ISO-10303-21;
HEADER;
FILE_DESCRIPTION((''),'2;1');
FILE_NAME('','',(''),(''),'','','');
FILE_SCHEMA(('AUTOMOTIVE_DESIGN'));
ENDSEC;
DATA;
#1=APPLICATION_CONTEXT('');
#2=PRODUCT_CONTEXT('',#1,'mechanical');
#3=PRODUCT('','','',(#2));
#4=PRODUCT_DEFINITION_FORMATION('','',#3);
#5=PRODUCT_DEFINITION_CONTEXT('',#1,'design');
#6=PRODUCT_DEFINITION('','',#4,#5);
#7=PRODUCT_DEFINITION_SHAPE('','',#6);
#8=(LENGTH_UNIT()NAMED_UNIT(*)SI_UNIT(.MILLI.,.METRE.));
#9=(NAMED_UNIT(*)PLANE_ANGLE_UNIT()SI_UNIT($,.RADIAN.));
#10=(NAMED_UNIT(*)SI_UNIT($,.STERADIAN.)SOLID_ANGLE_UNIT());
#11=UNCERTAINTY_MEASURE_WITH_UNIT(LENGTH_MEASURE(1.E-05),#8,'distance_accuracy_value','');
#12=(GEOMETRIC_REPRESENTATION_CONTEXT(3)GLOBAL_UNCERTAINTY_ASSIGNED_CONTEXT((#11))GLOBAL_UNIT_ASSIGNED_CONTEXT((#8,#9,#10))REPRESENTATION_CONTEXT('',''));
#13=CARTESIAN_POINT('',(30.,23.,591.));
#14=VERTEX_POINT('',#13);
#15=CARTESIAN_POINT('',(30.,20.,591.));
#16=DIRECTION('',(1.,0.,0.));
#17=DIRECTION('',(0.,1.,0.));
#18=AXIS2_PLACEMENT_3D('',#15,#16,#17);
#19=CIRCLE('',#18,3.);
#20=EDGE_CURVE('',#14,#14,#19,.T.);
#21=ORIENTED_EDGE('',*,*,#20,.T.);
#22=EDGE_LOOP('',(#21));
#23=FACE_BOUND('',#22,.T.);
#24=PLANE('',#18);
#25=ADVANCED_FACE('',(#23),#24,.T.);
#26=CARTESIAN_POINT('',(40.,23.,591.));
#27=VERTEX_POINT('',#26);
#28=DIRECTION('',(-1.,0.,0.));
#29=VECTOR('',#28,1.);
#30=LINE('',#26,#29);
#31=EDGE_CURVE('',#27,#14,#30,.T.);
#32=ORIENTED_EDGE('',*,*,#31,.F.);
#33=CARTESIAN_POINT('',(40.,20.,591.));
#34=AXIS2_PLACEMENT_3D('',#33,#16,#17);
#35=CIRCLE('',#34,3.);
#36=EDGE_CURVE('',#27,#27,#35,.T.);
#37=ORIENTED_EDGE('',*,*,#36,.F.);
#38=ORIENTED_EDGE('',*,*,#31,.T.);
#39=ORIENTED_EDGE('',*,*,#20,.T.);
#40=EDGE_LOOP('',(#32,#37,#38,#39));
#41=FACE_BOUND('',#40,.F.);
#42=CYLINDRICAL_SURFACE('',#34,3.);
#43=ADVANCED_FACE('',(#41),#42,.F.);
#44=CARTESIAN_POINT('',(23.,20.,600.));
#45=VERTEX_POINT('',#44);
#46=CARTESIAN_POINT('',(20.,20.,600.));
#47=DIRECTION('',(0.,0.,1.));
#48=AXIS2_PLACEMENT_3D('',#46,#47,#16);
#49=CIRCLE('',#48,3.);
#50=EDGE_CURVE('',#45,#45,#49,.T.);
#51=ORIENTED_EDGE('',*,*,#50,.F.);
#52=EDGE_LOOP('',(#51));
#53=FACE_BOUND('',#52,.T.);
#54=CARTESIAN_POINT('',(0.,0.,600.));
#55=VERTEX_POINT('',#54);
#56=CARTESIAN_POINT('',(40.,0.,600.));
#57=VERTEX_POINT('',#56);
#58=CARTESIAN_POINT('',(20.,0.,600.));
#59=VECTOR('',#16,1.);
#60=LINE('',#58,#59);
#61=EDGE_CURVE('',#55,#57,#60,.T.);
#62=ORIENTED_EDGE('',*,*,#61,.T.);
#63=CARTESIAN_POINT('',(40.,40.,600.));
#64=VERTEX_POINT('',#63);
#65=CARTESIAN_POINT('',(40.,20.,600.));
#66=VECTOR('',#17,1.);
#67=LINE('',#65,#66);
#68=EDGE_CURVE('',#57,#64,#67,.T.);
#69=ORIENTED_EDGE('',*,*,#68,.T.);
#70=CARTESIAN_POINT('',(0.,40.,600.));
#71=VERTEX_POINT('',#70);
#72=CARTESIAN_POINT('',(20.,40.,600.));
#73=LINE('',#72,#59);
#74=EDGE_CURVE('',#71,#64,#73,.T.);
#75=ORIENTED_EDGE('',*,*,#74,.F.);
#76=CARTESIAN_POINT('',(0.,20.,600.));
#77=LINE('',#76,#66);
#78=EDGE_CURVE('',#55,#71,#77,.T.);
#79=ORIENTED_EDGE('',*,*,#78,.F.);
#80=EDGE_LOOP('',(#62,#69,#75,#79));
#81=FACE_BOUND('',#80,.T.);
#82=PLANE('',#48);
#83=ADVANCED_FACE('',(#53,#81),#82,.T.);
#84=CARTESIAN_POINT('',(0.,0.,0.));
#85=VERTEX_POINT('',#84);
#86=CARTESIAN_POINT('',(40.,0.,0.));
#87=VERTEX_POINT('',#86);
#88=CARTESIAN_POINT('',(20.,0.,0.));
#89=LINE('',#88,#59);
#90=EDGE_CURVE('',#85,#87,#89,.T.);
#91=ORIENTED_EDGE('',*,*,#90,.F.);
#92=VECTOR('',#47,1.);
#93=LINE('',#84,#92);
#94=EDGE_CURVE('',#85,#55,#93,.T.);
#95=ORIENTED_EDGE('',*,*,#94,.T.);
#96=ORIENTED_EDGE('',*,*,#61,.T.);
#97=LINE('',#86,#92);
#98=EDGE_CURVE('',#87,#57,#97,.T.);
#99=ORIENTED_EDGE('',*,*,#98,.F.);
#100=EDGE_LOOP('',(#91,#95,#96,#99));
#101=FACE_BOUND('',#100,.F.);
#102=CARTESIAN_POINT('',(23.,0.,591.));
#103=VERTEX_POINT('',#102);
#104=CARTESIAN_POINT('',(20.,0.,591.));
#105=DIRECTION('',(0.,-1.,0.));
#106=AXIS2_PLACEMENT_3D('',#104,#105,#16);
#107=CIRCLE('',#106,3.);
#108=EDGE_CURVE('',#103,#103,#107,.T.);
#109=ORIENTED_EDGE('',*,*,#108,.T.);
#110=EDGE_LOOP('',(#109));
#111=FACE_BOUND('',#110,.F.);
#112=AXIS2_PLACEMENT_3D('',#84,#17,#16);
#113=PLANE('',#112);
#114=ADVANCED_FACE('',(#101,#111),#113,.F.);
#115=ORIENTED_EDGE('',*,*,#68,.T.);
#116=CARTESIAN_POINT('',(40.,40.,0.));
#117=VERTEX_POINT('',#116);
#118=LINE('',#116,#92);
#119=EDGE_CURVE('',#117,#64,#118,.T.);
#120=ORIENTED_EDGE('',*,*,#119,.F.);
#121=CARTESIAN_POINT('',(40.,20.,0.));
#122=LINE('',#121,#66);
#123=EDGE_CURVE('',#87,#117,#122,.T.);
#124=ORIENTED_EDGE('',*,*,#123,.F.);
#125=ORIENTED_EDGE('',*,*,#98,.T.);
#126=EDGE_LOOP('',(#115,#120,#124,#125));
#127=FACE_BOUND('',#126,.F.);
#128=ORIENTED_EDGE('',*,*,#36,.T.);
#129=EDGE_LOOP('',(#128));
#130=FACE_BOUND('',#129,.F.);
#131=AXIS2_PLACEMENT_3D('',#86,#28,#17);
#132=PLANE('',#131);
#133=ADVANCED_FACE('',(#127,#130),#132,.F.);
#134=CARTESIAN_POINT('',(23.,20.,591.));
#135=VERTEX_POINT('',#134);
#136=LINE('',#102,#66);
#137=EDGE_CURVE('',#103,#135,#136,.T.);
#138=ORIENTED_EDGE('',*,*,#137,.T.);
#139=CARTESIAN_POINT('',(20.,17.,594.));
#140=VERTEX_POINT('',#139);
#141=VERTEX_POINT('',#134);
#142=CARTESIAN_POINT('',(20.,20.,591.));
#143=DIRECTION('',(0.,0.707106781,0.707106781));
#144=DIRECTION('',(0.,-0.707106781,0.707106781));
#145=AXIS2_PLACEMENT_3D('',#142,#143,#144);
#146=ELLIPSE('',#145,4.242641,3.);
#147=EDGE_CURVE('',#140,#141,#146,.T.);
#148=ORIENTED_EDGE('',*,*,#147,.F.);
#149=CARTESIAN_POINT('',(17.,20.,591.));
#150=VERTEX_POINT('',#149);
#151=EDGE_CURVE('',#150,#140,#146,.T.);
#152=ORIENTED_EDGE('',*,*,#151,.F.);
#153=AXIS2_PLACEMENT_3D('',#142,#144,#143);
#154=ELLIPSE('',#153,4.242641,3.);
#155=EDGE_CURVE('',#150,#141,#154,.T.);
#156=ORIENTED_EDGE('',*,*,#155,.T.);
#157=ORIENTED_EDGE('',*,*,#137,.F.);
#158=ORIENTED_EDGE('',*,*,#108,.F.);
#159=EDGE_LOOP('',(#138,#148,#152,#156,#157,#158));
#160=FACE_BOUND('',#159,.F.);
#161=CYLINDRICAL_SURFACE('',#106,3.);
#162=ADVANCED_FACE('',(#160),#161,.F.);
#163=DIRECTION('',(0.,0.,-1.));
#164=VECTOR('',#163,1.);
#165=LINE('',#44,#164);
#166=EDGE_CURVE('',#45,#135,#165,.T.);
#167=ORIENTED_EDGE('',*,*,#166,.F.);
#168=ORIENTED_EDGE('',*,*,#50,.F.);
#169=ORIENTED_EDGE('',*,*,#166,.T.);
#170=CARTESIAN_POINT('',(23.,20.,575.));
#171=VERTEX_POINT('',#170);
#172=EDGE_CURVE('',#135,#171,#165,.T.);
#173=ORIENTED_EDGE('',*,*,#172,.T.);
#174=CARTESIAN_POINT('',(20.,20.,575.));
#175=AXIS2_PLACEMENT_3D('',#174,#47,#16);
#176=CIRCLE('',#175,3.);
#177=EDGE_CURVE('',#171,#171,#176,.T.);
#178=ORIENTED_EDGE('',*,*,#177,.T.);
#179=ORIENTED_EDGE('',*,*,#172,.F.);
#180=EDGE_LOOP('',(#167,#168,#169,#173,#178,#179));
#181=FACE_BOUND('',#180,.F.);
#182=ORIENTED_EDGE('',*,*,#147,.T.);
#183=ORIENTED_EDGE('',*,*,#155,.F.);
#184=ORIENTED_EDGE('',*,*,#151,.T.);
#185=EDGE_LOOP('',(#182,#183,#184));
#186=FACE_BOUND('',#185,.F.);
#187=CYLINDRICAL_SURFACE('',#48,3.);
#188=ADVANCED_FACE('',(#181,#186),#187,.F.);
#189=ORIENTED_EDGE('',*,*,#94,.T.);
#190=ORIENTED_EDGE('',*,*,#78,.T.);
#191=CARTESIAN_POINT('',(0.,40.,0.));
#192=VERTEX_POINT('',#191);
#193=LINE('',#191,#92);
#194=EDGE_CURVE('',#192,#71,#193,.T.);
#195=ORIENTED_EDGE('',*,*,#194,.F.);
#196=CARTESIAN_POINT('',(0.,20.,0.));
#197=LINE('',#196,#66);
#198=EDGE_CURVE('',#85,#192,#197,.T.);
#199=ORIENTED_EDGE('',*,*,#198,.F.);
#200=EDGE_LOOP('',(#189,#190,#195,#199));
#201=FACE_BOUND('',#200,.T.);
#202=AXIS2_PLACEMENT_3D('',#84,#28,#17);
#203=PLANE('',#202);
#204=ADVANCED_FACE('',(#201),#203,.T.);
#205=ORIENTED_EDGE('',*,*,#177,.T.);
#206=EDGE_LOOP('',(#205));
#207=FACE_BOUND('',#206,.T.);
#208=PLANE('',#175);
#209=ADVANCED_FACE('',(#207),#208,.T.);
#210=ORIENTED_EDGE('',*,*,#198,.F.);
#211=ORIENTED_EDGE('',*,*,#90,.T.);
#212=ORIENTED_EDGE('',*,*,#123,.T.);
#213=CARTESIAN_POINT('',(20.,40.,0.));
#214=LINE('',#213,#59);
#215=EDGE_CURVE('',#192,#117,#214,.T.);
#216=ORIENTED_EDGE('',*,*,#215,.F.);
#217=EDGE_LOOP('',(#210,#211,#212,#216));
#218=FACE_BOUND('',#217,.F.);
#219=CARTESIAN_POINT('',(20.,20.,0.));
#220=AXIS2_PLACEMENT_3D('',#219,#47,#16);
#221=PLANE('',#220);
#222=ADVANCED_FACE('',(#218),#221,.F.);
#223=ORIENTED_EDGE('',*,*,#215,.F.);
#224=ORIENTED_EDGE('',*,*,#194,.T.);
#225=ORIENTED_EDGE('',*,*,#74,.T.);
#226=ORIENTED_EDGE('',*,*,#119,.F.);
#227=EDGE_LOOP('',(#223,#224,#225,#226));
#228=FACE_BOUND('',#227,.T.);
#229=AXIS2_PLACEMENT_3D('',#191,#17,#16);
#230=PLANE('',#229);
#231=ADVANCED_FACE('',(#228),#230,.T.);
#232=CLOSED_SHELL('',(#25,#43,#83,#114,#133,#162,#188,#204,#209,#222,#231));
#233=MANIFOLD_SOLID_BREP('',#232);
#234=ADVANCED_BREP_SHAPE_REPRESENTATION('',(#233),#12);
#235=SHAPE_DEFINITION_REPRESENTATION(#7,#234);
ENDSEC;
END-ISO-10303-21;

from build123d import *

# Parameters (mm, degrees)
F0_W     = 40
F0_H     = 40
F1_DEPTH = 600
F2_R     = 3
F3_DEPTH = 25
F4_R     = 3
F5_DEPTH = 20
F6_R     = 3
F7_DEPTH = 10


with BuildPart() as f1:
    # F0 (on Top) → F1 (new body)
    with BuildSketch(Plane.XY):
        with Locations((20, 20)):
            Rectangle(F0_W, F0_H)
    extrude(amount=F1_DEPTH)

    # F2 (on face) → F3 (cut)
    with BuildSketch(Plane.XY.offset(600)):
        with Locations((20, 20)):
            Circle(F2_R)
    extrude(amount=-F3_DEPTH, mode=Mode.SUBTRACT)

    # F4 (on face) → F5 (cut)
    with BuildSketch(Plane.XZ):
        with Locations((20, 591)):
            Circle(F4_R)
    extrude(amount=-F5_DEPTH, mode=Mode.SUBTRACT)

    # F6 (on face) → F7 (cut)
    with BuildSketch(Plane.YZ.offset(40)):
        with Locations((20, 591)):
            Circle(F6_R)
    extrude(amount=-F7_DEPTH, mode=Mode.SUBTRACT)


solid = f1.part
